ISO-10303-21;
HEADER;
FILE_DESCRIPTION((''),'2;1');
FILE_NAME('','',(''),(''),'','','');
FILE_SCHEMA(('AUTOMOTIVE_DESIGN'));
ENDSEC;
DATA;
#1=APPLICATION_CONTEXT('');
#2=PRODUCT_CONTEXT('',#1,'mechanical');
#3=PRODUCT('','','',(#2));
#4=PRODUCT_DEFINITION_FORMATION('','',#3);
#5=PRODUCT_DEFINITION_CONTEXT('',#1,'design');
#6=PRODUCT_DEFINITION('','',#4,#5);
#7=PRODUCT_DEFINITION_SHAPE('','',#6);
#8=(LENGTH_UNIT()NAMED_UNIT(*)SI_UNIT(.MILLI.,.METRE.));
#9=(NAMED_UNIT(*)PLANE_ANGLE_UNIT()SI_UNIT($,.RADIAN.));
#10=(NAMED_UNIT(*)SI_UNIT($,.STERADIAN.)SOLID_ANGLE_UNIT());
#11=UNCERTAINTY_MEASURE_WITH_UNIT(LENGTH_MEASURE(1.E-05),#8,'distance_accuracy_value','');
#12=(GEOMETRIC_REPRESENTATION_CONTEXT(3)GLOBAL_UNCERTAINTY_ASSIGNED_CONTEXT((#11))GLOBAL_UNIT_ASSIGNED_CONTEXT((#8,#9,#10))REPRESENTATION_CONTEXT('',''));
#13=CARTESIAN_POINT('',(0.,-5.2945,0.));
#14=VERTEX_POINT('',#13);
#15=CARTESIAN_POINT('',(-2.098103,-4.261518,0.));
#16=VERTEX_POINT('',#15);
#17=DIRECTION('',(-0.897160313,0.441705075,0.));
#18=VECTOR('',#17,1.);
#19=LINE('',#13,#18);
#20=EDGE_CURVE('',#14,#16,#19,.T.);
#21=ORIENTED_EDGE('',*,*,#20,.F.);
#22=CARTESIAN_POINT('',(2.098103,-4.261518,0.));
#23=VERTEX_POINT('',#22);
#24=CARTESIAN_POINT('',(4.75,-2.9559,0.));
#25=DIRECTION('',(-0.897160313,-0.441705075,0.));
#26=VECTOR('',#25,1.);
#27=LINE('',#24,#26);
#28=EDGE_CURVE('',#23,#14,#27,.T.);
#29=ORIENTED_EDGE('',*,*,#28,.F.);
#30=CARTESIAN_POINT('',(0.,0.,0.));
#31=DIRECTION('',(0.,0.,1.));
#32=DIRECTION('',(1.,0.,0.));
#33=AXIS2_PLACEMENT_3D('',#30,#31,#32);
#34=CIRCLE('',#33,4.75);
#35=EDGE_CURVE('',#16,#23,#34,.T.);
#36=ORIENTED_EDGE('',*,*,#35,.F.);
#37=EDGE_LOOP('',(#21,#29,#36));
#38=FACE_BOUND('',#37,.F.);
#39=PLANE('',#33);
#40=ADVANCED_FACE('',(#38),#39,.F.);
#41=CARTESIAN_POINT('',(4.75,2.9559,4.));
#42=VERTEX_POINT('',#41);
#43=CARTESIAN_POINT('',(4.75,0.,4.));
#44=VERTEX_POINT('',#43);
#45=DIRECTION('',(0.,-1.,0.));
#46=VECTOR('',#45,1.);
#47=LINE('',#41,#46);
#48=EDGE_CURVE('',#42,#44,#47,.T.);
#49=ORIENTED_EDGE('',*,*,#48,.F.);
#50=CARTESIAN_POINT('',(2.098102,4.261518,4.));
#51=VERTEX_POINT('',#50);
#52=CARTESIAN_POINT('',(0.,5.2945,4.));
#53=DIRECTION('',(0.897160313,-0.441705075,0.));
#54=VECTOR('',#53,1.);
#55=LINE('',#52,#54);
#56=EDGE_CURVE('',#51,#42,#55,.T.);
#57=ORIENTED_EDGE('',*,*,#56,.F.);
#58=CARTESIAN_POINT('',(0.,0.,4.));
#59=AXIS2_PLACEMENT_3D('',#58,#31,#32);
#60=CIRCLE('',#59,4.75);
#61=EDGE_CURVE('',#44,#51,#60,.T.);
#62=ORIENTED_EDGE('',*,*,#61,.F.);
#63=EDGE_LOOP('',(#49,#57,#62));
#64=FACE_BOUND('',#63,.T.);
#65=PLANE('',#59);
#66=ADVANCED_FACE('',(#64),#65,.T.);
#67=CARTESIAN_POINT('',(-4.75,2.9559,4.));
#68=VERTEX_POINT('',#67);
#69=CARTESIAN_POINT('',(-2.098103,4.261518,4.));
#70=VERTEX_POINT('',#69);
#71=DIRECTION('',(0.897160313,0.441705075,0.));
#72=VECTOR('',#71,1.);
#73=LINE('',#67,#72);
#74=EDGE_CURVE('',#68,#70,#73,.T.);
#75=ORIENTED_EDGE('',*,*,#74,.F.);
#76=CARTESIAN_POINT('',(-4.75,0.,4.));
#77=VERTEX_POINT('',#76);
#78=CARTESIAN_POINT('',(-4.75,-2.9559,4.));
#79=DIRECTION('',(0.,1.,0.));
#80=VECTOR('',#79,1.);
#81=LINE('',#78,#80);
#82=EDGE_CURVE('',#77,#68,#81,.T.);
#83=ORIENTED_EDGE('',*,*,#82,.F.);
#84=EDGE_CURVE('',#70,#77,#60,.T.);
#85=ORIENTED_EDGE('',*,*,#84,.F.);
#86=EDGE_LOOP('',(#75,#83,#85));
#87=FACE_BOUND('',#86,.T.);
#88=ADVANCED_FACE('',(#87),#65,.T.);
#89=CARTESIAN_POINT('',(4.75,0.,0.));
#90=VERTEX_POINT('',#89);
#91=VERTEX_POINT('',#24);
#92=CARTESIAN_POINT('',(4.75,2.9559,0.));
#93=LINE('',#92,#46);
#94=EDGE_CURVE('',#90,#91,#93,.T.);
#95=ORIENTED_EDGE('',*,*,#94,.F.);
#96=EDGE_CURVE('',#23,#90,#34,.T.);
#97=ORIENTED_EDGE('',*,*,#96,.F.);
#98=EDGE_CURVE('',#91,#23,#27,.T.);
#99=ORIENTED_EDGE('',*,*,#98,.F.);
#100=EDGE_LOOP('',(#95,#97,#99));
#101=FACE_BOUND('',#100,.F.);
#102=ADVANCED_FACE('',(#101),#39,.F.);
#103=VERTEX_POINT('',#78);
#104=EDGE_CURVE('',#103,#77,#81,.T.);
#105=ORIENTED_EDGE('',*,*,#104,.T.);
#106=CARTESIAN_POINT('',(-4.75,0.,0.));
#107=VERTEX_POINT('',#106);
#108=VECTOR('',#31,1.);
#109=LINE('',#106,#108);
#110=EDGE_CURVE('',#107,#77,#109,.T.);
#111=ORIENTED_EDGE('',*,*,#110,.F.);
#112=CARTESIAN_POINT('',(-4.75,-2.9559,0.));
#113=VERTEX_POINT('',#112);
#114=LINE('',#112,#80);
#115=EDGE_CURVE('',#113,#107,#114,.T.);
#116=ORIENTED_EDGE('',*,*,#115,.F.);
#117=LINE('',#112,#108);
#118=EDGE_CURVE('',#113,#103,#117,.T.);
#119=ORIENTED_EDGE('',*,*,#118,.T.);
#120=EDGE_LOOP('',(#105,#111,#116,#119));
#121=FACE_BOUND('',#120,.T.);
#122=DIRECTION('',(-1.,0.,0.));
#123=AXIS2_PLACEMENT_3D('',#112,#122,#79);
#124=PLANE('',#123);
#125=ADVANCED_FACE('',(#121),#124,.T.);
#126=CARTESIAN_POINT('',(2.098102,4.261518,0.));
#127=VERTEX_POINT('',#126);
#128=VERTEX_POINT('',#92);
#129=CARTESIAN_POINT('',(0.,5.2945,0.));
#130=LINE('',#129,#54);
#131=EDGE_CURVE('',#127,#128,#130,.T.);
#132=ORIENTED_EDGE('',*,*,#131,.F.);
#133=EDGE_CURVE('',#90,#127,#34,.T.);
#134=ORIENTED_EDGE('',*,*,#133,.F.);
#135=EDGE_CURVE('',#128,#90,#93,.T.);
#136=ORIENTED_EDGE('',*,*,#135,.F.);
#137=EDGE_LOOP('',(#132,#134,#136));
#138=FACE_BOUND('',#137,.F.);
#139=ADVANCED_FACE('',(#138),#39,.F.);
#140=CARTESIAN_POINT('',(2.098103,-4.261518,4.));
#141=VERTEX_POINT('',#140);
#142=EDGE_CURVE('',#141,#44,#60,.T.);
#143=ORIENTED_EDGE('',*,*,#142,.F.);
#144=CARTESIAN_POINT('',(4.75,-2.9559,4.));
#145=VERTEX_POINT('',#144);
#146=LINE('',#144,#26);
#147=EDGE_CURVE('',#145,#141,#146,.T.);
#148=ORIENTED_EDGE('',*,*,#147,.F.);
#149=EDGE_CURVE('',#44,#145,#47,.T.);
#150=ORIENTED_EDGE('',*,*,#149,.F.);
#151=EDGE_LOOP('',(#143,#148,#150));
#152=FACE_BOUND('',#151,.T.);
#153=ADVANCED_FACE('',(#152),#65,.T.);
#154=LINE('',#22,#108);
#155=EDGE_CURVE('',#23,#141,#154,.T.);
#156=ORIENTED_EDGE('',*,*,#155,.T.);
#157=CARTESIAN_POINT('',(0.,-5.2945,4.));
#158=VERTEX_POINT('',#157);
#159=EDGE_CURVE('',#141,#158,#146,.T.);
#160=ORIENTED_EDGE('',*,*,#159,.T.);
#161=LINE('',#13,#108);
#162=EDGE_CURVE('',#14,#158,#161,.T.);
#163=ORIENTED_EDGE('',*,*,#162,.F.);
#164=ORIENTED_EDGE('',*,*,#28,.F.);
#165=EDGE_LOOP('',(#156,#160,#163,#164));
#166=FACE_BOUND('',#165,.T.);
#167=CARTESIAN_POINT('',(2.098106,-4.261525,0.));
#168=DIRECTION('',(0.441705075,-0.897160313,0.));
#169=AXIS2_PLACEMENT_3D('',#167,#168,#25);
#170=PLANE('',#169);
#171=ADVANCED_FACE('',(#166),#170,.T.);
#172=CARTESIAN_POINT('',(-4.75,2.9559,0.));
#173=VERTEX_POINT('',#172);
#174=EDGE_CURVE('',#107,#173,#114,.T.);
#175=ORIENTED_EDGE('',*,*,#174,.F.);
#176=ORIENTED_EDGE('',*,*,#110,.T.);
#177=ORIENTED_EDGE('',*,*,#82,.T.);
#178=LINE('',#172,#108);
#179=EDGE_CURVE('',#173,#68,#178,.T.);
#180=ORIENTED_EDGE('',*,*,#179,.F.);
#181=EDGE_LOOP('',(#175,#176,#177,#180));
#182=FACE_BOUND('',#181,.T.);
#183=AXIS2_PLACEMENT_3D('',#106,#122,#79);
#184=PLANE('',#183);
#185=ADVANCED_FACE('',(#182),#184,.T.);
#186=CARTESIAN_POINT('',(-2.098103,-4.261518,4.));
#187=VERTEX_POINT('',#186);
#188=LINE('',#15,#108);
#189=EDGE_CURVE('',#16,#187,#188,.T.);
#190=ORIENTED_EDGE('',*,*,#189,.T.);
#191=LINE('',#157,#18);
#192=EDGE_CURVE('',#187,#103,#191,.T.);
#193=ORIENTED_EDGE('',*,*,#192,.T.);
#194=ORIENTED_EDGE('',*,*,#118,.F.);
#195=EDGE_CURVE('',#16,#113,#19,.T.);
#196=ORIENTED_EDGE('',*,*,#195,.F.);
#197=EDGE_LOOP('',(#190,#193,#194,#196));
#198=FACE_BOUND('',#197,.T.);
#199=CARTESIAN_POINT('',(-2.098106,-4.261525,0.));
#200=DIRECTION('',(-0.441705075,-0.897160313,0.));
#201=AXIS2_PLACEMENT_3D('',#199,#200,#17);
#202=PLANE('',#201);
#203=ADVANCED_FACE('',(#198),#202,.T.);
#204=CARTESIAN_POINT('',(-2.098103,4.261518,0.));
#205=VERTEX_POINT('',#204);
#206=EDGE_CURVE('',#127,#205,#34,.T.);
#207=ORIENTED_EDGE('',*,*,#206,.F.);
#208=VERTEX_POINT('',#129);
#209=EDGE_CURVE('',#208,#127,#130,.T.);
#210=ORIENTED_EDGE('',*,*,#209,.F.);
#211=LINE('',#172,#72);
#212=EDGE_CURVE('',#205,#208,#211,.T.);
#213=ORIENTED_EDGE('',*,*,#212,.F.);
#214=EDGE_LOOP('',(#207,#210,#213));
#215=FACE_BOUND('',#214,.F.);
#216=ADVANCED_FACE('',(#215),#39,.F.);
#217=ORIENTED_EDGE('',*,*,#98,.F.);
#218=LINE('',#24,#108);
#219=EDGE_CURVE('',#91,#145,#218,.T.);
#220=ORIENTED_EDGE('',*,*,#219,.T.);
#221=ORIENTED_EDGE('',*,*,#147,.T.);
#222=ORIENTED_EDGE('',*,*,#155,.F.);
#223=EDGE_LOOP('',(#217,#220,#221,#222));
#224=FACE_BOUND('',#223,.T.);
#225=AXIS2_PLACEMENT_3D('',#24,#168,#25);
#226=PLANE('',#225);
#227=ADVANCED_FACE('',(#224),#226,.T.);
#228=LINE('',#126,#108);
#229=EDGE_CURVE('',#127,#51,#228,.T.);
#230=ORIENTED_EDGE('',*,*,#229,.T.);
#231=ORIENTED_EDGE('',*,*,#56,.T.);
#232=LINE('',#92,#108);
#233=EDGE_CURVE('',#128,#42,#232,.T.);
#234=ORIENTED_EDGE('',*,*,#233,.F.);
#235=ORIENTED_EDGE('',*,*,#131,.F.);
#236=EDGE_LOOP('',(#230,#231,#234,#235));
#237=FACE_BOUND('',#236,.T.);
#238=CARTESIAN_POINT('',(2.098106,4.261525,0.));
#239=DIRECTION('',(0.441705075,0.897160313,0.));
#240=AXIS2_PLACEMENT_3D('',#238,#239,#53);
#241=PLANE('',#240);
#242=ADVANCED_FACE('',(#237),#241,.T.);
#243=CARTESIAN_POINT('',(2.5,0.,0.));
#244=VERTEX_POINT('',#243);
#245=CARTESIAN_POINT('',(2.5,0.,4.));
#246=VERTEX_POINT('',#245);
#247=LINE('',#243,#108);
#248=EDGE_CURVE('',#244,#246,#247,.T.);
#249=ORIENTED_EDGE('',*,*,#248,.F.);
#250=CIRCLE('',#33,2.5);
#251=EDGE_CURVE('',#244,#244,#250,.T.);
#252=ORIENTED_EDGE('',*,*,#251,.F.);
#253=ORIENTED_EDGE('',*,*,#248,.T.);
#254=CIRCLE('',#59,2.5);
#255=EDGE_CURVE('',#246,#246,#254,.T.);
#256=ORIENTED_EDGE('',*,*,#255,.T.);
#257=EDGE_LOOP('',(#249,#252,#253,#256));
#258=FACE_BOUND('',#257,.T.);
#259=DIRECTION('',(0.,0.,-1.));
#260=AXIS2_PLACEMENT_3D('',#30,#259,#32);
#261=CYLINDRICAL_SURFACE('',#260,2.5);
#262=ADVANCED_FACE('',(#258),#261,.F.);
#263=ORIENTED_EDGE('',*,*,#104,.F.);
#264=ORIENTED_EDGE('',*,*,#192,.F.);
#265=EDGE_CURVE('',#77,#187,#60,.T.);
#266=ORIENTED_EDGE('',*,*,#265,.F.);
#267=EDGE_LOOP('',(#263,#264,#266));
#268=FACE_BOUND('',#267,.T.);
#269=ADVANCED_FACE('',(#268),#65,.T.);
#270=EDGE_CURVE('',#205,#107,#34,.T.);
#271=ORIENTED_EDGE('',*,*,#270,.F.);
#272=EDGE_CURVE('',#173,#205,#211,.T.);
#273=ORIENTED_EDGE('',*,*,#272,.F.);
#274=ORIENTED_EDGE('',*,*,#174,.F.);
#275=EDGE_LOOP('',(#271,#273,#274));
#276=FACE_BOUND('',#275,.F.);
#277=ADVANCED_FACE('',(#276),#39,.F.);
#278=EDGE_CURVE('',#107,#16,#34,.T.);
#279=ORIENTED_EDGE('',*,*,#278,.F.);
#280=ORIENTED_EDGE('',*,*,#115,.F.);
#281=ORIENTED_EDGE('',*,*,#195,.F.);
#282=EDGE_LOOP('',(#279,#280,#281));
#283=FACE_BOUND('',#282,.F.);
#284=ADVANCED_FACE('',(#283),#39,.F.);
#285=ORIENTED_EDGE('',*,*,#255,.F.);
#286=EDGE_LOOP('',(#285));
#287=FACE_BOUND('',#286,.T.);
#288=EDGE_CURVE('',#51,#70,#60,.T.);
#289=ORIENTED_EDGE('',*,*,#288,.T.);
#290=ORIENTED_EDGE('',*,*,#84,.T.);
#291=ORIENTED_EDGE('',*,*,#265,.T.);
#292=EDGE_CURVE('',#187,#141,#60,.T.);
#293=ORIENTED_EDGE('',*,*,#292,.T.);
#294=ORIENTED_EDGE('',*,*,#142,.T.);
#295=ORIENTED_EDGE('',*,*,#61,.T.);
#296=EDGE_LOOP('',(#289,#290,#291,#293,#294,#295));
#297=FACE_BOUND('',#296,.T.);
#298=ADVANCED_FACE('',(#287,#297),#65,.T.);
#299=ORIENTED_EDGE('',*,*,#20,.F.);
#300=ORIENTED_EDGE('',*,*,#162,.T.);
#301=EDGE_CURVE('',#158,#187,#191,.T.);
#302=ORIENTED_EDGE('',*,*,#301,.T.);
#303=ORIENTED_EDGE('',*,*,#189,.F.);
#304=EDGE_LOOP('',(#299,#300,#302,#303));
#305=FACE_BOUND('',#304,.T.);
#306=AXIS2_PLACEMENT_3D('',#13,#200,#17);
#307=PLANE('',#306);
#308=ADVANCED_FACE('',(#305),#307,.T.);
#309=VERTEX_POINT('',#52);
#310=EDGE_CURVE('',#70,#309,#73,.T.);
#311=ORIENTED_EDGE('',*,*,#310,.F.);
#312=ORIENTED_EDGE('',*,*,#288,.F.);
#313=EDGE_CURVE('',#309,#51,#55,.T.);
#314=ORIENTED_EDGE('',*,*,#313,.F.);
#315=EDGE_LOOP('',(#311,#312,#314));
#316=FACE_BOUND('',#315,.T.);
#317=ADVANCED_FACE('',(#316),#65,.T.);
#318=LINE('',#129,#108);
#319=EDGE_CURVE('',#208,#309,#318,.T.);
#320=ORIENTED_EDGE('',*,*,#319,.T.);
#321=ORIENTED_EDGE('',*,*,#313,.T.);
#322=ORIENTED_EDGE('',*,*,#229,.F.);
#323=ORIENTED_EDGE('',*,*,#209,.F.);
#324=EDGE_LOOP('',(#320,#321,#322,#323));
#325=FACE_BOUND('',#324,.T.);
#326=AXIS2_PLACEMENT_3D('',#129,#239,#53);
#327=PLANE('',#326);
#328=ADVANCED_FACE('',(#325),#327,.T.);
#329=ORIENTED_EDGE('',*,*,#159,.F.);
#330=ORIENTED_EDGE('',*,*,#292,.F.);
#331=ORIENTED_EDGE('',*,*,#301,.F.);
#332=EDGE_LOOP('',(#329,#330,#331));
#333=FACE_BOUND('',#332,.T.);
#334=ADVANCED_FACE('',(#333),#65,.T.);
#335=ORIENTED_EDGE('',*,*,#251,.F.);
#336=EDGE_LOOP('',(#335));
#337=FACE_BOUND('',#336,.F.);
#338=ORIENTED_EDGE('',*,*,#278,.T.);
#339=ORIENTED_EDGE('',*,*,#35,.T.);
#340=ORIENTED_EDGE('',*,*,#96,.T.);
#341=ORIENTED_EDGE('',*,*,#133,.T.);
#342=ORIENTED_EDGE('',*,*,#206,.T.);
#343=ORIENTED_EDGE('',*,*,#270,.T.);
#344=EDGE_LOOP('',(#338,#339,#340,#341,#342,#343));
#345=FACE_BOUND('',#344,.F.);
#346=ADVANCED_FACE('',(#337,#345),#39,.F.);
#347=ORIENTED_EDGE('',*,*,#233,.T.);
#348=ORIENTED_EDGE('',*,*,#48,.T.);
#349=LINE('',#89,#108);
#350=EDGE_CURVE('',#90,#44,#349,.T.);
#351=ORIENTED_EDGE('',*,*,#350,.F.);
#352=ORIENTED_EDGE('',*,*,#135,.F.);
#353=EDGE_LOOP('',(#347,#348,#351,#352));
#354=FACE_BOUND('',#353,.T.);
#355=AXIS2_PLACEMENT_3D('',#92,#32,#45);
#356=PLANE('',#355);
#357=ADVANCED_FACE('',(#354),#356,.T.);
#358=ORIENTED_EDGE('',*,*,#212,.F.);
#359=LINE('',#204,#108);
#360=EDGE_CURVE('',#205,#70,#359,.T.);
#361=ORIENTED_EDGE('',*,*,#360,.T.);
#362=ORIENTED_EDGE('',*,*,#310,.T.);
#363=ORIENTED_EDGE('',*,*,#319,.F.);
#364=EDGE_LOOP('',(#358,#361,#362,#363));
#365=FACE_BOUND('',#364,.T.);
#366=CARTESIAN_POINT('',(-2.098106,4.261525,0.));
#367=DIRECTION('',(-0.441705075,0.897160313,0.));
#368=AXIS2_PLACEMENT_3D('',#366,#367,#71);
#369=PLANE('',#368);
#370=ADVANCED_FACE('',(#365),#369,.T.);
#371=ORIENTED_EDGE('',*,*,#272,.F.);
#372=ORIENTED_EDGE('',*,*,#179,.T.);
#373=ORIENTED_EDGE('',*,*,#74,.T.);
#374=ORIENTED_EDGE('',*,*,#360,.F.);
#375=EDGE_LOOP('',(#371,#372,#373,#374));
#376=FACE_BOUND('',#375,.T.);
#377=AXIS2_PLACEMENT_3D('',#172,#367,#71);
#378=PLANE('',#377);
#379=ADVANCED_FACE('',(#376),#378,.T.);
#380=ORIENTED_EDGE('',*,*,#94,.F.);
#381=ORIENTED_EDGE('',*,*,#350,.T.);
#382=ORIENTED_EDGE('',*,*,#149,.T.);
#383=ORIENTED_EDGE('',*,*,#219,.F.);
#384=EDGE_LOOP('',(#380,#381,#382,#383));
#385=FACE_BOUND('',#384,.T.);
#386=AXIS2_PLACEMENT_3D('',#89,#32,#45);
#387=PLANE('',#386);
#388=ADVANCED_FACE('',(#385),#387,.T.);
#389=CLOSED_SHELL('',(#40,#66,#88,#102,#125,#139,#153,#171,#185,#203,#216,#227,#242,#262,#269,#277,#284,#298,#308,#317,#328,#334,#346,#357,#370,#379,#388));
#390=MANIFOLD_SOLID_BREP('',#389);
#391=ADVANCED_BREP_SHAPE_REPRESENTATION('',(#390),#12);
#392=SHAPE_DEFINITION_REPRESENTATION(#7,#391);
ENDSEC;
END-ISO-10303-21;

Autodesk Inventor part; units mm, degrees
ref_plane "YZ Plane" through (0, 0, 0) normal (1, 0, 0) x (0, 1, 0)
ref_plane "XZ Plane" through (0, 0, 0) normal (0, 1, 0) x (-1, 0, 0)
ref_plane "XY Plane" through (0, 0, 0) normal (0, 0, 1) x (1, 0, 0)
sketch "Sketch1" plane through (0, 0, 0) normal (0, 0, 1) x (1, 0, 0)
  line L0 (-4.75, 2.9559) -> (0, 5.2945)
  line L1 (0, 5.2945) -> (4.75, 2.9559)
  line L2 (4.75, 2.9559) -> (4.75, -2.9559)
  line L3 (4.75, -2.9559) -> (0, -5.2945)
  line L4 (0, -5.2945) -> (-4.75, -2.9559)
  line L5 (-4.75, -2.9559) -> (-4.75, 2.9559)
  circle A0 centre (0, 0) radius 2.5
  circle A1 centre (0, 0) radius 4.75
  point P0 (4.75, 0)
  dimension "d6" = 5
  dimension "d8" = 9.5
extrude "Extrusion1" add sketch "Sketch1" along normal blind 4
properties part number "M5-nut"
